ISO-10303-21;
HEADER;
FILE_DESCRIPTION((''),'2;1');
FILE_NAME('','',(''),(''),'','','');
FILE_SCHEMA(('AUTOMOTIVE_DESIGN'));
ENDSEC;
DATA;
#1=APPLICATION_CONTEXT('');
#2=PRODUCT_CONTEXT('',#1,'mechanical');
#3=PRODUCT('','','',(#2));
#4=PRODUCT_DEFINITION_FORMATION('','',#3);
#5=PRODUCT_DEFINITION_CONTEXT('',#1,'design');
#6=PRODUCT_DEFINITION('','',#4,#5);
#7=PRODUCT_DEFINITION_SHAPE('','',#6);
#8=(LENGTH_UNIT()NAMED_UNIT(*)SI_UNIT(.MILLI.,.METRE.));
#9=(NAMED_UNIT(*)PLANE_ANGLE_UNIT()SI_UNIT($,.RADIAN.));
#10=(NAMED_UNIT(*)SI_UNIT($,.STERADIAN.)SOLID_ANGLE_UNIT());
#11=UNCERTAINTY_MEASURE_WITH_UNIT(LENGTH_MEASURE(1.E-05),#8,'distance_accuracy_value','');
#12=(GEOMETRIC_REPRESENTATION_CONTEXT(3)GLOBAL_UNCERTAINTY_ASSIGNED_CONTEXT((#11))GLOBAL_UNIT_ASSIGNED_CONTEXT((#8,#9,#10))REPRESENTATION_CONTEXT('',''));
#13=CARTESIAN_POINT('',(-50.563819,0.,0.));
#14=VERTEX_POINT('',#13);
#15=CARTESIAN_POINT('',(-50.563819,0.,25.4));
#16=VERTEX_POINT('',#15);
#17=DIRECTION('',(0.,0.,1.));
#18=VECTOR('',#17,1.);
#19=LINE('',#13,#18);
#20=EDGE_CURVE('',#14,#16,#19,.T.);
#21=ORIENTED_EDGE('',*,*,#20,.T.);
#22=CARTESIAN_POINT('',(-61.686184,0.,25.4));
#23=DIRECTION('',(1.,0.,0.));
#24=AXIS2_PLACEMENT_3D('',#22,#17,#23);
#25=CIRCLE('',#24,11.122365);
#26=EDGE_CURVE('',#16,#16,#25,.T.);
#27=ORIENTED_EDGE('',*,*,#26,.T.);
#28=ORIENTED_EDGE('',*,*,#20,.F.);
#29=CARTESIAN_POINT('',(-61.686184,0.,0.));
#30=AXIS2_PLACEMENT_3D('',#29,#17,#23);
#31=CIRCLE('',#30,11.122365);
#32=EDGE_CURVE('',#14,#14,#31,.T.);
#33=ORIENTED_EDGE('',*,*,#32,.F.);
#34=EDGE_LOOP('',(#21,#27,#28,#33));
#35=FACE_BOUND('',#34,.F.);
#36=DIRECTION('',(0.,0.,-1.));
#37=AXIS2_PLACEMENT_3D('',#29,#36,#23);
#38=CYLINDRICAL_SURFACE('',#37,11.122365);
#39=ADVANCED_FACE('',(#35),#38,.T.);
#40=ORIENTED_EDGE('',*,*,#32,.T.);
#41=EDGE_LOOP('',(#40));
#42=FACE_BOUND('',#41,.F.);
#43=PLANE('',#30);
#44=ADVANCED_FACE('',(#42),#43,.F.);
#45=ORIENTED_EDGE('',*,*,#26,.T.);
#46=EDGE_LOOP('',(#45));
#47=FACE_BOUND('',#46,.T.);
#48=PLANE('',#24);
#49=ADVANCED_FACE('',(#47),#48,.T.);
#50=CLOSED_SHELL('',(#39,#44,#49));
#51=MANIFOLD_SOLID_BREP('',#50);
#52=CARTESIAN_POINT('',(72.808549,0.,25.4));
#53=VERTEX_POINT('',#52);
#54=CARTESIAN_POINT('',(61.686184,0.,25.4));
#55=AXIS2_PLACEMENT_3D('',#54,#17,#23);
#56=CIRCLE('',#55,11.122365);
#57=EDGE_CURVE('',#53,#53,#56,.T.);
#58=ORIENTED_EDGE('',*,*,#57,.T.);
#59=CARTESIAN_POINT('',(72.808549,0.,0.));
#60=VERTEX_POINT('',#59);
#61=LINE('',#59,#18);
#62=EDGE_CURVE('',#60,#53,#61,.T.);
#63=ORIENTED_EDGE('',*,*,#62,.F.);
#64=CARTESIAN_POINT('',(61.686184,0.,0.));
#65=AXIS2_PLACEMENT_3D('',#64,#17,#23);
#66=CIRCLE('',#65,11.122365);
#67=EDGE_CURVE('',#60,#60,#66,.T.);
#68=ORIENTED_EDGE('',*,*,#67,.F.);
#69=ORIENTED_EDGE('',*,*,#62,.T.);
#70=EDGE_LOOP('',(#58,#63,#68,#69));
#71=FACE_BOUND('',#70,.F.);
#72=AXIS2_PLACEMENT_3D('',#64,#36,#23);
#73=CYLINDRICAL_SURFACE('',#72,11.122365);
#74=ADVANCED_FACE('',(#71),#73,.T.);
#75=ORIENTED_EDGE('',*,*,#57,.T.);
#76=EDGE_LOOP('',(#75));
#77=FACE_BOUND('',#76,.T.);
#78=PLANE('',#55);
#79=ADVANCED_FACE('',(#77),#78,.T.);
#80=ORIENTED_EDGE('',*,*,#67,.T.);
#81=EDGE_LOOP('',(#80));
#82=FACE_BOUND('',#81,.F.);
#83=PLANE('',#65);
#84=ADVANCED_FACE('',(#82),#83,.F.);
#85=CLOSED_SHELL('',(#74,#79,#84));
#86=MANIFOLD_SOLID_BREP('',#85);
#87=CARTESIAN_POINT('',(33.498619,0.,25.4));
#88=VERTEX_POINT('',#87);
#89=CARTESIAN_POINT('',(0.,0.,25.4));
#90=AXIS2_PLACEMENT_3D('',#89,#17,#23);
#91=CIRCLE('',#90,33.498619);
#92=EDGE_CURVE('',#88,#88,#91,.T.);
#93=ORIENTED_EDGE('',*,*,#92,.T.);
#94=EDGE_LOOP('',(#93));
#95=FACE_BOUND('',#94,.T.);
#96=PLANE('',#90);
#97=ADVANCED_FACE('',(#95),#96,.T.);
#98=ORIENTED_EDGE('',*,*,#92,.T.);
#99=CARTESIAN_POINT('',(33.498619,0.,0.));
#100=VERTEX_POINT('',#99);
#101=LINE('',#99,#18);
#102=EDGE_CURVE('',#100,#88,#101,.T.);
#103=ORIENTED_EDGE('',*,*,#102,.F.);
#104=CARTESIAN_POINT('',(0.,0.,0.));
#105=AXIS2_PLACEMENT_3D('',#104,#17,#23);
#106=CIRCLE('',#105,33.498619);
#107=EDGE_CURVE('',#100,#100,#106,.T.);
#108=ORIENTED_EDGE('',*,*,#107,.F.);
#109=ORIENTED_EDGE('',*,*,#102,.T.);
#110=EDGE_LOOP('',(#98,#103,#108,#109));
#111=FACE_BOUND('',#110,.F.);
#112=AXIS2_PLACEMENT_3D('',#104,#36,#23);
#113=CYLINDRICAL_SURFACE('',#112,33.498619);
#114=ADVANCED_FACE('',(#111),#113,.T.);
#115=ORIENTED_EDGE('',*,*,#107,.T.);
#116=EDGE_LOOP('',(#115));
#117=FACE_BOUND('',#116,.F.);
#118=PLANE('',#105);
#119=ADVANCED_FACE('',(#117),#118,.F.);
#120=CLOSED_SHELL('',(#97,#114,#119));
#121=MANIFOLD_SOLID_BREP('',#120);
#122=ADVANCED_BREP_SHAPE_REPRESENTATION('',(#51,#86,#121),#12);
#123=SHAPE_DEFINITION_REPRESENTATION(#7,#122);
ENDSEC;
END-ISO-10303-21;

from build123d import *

# Parameters (mm, degrees)
F0_R     = 33.498619
F0_R_2   = 11.122365
F1_DEPTH = 25.4


with BuildPart() as f1:
    # F0 (on Top) → F1 (new body)
    with BuildSketch(Plane.XY):
        Circle(F0_R)
        with Locations((-61.686184, 0)):
            Circle(F0_R_2)
        with Locations((61.686184, 0)):
            Circle(F0_R_2)
    extrude(amount=F1_DEPTH)


solid = f1.part
